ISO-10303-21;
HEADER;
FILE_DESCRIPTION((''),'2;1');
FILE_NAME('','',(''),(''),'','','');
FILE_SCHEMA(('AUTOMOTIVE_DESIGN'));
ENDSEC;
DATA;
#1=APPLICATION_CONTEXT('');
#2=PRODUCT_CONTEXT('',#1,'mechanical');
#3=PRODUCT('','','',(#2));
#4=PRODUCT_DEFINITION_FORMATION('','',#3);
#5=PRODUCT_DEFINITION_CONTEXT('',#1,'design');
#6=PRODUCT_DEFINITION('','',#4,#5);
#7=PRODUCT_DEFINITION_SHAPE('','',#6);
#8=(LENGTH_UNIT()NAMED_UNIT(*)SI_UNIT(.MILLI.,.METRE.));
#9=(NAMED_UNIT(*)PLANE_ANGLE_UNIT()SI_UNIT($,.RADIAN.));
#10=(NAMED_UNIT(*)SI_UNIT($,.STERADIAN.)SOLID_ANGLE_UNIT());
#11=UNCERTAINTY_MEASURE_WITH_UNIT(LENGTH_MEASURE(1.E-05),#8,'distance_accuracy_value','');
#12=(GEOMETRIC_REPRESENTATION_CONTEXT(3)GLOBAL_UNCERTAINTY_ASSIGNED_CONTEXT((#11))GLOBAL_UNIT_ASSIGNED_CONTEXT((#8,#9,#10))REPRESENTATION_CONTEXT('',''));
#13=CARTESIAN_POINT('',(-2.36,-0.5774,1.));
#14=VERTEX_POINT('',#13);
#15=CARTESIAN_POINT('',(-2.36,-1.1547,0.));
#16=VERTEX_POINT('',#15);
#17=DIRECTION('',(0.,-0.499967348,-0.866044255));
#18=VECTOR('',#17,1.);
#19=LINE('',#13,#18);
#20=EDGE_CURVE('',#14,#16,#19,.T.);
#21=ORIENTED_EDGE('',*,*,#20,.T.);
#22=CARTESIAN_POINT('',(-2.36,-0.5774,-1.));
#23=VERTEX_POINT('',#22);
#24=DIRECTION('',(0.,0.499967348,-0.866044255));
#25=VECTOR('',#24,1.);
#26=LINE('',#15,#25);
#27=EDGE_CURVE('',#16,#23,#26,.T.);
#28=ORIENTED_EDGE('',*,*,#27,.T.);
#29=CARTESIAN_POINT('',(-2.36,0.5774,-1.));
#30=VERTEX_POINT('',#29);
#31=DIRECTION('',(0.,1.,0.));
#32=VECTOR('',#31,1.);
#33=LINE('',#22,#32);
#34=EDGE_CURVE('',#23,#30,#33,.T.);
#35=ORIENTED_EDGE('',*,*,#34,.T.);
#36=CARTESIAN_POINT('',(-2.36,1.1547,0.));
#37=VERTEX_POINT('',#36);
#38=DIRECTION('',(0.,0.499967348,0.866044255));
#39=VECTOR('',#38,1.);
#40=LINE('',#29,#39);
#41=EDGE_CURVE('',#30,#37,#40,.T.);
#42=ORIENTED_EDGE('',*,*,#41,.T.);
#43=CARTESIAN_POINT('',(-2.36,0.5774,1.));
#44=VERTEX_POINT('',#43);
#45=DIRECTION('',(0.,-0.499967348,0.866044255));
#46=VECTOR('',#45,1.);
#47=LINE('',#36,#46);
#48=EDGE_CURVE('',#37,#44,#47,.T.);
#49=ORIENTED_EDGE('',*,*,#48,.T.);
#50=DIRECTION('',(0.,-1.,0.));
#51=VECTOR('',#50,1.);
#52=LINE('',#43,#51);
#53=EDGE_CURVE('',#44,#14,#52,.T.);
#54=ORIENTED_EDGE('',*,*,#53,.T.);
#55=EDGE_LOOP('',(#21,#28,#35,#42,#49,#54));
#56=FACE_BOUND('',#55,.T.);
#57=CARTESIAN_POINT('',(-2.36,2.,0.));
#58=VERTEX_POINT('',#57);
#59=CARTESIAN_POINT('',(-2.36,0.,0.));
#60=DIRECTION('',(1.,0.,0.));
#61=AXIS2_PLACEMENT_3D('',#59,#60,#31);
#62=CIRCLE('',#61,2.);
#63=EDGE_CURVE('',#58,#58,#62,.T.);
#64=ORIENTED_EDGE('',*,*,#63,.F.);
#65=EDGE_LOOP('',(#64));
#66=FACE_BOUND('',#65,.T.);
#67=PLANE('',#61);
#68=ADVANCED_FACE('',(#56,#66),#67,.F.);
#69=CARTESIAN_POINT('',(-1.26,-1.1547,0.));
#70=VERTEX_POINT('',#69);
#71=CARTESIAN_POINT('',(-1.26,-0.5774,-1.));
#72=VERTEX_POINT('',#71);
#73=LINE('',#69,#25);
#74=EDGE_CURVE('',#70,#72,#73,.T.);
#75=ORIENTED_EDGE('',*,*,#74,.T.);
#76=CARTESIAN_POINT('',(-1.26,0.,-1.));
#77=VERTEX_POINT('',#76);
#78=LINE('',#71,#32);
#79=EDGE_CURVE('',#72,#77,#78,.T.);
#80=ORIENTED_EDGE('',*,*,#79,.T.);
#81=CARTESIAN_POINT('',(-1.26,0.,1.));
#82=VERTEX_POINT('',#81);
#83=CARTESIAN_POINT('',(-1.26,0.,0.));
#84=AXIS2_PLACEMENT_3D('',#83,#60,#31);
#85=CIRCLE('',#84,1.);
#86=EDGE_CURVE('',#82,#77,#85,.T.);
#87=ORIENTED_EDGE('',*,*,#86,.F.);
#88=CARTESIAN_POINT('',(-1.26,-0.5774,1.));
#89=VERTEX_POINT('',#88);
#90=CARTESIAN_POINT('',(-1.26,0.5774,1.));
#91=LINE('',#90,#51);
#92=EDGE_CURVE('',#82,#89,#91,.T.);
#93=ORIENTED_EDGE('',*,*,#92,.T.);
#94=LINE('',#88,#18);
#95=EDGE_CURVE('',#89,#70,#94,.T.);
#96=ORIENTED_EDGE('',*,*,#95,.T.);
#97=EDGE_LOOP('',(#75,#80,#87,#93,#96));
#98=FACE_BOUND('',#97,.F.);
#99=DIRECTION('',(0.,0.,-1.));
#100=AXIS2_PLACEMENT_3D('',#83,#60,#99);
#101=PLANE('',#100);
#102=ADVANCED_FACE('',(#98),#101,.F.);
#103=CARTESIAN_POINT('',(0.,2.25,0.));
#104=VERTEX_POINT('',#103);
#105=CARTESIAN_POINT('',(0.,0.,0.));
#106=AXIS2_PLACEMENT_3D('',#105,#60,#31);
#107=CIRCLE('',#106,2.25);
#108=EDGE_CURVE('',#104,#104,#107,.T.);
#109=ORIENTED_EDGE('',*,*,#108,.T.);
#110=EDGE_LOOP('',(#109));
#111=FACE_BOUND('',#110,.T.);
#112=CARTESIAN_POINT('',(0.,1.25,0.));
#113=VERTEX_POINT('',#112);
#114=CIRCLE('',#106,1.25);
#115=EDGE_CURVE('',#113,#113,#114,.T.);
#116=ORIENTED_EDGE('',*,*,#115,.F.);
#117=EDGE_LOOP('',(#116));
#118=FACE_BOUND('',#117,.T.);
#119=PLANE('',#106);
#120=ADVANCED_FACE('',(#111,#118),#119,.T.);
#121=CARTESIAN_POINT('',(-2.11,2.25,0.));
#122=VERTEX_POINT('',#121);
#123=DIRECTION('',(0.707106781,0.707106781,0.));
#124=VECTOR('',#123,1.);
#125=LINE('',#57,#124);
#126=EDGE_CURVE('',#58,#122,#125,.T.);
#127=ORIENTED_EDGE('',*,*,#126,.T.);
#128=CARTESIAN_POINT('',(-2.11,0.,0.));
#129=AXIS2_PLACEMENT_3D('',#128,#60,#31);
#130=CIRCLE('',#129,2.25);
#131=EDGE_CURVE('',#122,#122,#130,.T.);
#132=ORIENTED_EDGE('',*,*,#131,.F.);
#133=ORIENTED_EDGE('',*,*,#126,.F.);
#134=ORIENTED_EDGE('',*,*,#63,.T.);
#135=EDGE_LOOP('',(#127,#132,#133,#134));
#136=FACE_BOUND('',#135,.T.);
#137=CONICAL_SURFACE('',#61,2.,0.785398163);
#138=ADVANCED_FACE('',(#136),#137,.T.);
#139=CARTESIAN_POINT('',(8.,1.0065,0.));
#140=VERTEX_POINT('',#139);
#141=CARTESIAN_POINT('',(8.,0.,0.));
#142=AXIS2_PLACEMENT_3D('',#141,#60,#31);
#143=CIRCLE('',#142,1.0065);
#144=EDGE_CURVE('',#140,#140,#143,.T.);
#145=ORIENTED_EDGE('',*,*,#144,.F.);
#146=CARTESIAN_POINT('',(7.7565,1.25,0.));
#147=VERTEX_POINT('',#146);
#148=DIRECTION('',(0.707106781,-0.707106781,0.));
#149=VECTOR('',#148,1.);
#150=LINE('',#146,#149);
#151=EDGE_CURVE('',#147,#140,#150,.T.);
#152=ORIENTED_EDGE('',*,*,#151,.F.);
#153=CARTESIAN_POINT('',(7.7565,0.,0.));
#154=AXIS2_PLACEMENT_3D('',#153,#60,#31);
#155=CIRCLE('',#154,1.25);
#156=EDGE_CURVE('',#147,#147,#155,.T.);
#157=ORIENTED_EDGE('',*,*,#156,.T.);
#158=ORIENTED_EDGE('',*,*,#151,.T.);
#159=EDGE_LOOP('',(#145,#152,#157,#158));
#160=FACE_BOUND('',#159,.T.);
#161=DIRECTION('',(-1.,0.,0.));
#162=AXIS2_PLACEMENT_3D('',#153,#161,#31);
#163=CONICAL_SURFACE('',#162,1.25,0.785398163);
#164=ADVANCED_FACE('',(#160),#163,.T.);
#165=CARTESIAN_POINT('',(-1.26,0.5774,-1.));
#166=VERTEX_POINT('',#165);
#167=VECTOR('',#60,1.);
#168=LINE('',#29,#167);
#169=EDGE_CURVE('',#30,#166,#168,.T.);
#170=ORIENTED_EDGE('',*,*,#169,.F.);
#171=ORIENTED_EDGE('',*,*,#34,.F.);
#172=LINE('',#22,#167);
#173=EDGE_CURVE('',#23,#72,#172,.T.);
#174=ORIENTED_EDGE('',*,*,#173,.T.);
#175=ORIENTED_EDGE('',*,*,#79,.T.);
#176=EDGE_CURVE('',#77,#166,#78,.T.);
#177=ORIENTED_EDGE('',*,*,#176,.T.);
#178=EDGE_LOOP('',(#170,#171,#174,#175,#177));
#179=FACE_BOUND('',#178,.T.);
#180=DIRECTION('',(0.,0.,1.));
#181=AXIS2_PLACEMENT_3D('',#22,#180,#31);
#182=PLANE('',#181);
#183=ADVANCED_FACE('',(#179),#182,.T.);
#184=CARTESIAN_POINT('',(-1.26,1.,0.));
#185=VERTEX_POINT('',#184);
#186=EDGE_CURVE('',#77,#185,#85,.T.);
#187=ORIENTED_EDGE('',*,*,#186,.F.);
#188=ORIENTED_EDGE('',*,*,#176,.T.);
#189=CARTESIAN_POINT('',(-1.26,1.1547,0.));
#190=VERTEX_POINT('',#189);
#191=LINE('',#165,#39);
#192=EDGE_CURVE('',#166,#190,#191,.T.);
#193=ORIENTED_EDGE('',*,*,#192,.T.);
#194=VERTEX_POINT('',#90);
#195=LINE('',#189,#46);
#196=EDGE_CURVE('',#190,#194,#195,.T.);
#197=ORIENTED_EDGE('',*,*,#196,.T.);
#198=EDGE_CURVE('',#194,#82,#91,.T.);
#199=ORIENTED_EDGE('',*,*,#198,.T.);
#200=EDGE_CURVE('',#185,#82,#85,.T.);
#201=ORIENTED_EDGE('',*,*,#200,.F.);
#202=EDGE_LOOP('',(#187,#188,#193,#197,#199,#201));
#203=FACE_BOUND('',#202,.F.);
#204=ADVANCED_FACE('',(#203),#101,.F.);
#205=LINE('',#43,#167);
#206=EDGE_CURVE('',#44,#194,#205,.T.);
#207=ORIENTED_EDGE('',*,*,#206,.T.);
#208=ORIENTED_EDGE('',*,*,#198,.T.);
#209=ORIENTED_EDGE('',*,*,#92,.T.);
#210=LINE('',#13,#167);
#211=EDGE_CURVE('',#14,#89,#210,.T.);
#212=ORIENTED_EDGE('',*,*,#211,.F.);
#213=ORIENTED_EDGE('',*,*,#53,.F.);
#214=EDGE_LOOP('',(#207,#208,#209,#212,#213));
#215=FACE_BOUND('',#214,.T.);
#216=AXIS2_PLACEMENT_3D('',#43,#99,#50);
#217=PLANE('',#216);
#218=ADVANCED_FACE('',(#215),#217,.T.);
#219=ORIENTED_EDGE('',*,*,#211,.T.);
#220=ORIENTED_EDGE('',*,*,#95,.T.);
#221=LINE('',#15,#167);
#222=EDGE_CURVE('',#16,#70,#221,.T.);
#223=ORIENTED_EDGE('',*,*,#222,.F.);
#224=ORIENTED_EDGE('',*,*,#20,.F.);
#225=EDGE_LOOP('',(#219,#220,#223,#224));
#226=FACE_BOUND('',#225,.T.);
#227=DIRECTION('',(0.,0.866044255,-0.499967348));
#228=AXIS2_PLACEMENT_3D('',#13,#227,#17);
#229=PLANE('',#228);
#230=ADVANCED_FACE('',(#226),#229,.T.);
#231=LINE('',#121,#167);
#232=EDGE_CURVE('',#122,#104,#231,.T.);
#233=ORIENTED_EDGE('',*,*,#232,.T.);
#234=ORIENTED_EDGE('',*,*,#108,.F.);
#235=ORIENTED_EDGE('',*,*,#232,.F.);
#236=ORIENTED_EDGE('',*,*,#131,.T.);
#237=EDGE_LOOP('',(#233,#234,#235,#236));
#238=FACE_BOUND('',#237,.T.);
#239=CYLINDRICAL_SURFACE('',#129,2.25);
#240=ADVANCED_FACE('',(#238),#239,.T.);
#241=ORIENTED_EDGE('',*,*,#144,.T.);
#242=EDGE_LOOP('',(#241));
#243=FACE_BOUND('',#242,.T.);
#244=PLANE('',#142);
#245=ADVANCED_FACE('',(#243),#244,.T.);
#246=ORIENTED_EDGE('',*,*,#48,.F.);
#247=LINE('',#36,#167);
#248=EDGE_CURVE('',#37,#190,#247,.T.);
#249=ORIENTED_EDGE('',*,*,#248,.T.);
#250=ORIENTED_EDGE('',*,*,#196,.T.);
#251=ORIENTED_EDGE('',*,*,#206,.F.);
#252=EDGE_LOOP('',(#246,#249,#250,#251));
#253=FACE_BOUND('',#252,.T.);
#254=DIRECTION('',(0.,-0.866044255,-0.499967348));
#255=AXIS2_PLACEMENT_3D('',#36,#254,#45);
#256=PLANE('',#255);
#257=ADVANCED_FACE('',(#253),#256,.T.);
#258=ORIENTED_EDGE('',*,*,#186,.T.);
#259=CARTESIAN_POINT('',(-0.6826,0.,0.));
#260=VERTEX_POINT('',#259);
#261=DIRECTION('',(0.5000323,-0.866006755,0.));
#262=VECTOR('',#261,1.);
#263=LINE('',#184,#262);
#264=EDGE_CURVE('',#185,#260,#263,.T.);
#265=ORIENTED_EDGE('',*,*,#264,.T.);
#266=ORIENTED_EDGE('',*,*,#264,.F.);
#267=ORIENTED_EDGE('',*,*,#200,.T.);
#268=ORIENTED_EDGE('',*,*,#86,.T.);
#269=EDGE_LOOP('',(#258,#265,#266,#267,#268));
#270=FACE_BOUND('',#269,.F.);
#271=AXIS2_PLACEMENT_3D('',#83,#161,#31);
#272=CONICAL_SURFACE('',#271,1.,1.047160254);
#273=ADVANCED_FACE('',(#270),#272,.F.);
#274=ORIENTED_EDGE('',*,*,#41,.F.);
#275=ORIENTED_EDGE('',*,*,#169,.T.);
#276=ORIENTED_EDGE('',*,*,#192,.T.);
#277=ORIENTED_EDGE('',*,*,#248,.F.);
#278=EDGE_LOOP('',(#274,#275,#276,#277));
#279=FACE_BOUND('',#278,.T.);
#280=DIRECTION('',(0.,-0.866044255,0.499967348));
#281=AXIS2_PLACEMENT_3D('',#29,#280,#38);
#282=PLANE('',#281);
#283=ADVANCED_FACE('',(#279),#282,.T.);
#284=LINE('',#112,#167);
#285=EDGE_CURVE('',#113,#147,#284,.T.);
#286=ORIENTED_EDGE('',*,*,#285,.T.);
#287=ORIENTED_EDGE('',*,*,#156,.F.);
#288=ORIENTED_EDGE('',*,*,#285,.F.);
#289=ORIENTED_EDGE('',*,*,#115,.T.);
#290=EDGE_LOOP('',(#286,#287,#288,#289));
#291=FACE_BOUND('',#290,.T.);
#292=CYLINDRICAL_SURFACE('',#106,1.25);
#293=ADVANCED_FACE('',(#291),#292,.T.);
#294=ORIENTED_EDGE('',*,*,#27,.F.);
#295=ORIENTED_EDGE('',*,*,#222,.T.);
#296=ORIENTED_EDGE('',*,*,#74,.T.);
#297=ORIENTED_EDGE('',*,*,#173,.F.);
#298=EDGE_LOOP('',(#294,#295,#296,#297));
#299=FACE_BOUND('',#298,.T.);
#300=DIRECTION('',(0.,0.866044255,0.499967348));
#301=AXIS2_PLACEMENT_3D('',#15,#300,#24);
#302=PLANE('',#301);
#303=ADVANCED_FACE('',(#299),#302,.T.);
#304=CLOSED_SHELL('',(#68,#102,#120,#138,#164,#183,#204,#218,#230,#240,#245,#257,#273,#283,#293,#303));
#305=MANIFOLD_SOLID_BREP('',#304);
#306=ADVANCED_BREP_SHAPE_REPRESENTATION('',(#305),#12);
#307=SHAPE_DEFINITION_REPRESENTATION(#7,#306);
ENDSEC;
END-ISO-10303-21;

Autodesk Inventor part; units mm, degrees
sketch "Sketch_1" plane through (0, 0, 0) normal (0, 0, 1) x (1, 0, 0)
  line L0 (8, 0) -> (-2.36, 0)
  line L1 (-2.36, 0) -> (-2.36, 2)
  line L2 (-2.36, 2) -> (-2.11, 2.25)
  line L3 (-2.11, 2.25) -> (0, 2.25)
  line L4 (0, 2.25) -> (0, 1.25)
  line L5 (0, 1.25) -> (7.7565, 1.25)
  line L6 (7.7565, 1.25) -> (8, 1.0065)
  line L7 (8, 1.0065) -> (8, 0)
  line L8 (8, 0) -> (-2.36, 0)
revolve "Revolution1" add sketch "Sketch_1" angle 360 about axis through (8, 0, 0) along (1, 0, 0)
thread "Thread1" size "M2.5x0.45" class "6g" standard "ISO Metric profile" length 7.2348
sketch "Sketch_2" plane through (-2.36, 0, 0) normal (1, 0, 0) x (0, 0, -1)
  line L0 (-1, -0.5774) -> (0, -1.1547)
  line L1 (0, -1.1547) -> (1, -0.5774)
  line L2 (1, -0.5774) -> (1, 0.5774)
  line L3 (1, 0.5774) -> (0, 1.1547)
  line L4 (0, 1.1547) -> (-1, 0.5774)
  line L5 (-1, 0.5774) -> (-1, -0.5774)
extrude "Extrusion1" cut sketch "Sketch_2" along normal blind 1.1
sketch "Sketch_5" plane through (0, 0, 0) normal (0, 0, 1) x (1, 0, 0)
  line L0 (-0.6826, 0) -> (-1.26, 0)
  line L1 (-1.26, 0) -> (-1.26, 1)
  line L2 (-1.26, 1) -> (-0.6826, 0)
  line L3 (-0.6826, 0) -> (-1.26, 0)
revolve "Revolution2" cut sketch "Sketch_5" angle 360 about axis through (-0.6826, 0, 0) along (1, 0, 0)
ref_plane "SCW_XY" through (0, 0, 0) normal (1, 0, 0) x (0, 0, -1)
ref_plane "SCW_YZ" through (0, 0, 0) normal (0, 0, -1) x (0, 1, 0)
ref_plane "SCW_ZX" through (0, 0, 0) normal (0, 1, 0) x (1, 0, 0)
properties part number "M2.5" material "アルミニウム 6061"
